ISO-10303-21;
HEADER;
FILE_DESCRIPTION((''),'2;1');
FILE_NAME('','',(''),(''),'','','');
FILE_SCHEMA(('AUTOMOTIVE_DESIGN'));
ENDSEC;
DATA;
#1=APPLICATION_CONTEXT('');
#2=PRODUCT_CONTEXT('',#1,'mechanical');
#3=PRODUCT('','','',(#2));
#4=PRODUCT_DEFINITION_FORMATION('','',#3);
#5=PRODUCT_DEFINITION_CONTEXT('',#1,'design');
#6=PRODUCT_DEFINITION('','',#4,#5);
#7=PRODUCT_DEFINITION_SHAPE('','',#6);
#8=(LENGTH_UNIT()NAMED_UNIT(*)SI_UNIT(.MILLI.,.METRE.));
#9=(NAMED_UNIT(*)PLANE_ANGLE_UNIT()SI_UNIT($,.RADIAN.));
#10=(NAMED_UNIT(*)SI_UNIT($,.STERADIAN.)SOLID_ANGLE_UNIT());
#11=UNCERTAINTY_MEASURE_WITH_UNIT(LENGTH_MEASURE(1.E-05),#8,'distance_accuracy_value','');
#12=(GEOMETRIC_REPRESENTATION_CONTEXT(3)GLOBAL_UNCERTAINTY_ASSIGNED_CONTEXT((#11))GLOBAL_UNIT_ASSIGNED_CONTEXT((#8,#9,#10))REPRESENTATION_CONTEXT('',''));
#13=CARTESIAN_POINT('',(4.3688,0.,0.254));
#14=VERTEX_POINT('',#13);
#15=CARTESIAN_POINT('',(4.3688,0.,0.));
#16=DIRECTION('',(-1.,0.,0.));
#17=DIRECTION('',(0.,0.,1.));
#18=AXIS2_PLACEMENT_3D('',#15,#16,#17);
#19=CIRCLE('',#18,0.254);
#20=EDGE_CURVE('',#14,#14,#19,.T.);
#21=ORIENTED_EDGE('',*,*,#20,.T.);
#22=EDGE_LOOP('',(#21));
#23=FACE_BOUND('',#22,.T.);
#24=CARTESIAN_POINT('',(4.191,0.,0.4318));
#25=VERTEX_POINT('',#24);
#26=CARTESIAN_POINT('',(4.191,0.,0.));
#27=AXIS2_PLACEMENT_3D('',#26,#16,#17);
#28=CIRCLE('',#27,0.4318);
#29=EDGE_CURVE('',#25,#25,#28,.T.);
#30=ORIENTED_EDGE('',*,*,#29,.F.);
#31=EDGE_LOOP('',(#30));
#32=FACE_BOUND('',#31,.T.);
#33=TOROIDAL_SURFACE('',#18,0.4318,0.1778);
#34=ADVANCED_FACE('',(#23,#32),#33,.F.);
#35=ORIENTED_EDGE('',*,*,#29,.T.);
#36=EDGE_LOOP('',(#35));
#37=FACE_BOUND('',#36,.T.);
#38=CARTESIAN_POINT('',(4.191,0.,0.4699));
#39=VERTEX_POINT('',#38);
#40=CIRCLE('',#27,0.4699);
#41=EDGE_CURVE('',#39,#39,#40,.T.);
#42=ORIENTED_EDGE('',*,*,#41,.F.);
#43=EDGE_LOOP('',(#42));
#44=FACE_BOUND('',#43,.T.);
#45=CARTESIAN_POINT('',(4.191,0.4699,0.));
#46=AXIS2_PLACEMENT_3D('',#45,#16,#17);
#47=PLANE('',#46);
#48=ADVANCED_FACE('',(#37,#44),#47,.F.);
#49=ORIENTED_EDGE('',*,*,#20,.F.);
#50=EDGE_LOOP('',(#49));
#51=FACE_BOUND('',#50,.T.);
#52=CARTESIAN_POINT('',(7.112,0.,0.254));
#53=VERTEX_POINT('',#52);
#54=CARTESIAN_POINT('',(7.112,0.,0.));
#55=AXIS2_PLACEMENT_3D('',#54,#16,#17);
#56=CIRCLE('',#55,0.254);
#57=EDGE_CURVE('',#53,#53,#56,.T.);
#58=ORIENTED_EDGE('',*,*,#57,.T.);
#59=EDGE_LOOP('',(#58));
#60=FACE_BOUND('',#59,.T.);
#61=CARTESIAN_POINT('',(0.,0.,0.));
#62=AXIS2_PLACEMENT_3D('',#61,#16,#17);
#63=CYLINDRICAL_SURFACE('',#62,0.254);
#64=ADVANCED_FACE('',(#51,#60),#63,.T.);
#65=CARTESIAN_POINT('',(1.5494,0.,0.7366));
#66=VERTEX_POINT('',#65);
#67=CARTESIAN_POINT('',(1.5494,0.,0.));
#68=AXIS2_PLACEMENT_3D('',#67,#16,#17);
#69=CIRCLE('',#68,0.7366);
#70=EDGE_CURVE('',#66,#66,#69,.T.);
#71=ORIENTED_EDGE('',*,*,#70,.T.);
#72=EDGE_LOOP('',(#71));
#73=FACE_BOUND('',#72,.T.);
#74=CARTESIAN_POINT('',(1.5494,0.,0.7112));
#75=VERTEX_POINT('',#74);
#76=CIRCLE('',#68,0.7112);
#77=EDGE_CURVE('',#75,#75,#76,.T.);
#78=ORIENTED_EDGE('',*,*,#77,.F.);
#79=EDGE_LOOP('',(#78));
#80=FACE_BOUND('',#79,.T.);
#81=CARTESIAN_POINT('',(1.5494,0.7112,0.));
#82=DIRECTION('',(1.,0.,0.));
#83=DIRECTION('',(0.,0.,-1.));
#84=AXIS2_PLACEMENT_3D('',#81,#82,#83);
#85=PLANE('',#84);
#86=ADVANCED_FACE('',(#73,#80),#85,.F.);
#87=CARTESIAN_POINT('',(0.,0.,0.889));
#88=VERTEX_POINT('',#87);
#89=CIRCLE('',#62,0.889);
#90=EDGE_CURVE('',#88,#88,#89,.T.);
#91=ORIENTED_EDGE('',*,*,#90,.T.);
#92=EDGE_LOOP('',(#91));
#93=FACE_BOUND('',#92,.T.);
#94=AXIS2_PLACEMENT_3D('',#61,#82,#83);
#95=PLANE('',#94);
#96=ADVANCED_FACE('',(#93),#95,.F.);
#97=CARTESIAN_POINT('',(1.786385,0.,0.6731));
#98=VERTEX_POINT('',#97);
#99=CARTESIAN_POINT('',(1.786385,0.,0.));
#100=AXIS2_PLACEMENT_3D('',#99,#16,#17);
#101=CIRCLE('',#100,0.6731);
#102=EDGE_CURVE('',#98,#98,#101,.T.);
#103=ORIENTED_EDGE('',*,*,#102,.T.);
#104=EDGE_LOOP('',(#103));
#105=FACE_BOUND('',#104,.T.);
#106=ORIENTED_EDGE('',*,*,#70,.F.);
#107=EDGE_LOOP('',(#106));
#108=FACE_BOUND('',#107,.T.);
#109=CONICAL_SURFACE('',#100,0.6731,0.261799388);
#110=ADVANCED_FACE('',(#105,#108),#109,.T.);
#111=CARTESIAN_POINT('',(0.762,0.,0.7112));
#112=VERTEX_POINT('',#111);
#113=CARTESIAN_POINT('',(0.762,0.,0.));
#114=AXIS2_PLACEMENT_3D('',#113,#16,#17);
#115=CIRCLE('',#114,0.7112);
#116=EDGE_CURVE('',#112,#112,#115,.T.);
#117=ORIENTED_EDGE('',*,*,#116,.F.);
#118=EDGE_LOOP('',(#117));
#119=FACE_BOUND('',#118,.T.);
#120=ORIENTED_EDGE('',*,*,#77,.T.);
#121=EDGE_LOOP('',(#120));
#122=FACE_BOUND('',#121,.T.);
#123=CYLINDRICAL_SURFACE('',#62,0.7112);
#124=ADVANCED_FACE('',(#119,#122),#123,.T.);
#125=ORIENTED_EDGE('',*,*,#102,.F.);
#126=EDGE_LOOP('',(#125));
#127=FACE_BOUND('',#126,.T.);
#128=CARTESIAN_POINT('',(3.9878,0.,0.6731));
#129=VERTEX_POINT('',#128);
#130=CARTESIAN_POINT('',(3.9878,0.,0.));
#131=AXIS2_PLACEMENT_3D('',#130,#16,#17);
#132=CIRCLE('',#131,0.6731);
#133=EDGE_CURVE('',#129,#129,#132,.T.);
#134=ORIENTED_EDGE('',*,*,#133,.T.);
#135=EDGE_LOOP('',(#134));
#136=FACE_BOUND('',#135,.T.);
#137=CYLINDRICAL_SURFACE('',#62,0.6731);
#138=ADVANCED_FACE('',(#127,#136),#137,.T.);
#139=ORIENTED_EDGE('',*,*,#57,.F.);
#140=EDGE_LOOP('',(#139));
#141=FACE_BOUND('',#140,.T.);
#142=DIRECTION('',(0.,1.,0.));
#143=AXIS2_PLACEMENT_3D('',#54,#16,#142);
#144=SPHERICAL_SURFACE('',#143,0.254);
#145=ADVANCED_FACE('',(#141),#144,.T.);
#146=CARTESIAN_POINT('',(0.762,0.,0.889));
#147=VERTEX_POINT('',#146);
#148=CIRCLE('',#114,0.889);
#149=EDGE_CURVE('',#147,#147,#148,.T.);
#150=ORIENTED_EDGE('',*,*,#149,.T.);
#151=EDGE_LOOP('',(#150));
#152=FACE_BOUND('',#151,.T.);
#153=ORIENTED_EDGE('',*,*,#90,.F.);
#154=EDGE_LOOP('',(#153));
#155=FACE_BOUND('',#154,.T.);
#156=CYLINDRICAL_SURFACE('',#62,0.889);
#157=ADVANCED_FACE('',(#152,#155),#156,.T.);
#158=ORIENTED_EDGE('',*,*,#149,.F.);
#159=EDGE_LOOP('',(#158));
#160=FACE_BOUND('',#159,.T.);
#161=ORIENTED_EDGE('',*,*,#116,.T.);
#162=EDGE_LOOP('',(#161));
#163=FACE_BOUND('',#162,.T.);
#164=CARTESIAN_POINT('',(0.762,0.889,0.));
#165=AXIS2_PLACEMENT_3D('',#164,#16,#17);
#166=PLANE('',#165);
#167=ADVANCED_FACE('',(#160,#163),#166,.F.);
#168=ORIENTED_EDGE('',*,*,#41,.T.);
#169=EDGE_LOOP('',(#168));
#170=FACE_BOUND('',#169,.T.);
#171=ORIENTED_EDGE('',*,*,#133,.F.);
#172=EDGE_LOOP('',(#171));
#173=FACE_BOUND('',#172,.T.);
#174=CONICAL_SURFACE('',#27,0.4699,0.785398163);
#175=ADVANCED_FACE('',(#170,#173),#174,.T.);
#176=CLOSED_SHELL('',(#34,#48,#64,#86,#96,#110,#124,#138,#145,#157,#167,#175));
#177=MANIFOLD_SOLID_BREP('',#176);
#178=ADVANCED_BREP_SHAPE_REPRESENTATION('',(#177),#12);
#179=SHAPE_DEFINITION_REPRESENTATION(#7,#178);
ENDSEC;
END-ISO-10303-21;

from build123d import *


with BuildPart() as part:
    # Sketch1 → RevolutionAngle1 (revolve)
    with BuildSketch(Plane.XY):
        with BuildLine():
            Line((4.191, 0.4699), (4.191, 0.4318))
            ThreePointArc((4.191, 0.4318), (4.243076414, 0.306076414), (4.3688, 0.254))
            Line((4.3688, 0.254), (7.112, 0.254))
            ThreePointArc((7.112, 0.254), (7.291605122, 0.179605122), (7.366, 0))
            Line((7.366, 0), (0, 0))
            Line((0, 0), (0, 0.889))
            Line((0, 0.889), (0.762, 0.889))
            Line((0.762, 0.889), (0.762, 0.7112))
            Line((0.762, 0.7112), (1.5494, 0.7112))
            Line((1.5494, 0.7112), (1.5494, 0.7366))
            Line((1.5494, 0.7366), (1.786385226, 0.6731))
            Line((1.786385226, 0.6731), (3.9878, 0.6731))
            Line((3.9878, 0.6731), (4.191, 0.4699))
        make_face()
    revolve(axis=Axis((0, 0, 0), (1, 0, 0)))


solid = part.part
